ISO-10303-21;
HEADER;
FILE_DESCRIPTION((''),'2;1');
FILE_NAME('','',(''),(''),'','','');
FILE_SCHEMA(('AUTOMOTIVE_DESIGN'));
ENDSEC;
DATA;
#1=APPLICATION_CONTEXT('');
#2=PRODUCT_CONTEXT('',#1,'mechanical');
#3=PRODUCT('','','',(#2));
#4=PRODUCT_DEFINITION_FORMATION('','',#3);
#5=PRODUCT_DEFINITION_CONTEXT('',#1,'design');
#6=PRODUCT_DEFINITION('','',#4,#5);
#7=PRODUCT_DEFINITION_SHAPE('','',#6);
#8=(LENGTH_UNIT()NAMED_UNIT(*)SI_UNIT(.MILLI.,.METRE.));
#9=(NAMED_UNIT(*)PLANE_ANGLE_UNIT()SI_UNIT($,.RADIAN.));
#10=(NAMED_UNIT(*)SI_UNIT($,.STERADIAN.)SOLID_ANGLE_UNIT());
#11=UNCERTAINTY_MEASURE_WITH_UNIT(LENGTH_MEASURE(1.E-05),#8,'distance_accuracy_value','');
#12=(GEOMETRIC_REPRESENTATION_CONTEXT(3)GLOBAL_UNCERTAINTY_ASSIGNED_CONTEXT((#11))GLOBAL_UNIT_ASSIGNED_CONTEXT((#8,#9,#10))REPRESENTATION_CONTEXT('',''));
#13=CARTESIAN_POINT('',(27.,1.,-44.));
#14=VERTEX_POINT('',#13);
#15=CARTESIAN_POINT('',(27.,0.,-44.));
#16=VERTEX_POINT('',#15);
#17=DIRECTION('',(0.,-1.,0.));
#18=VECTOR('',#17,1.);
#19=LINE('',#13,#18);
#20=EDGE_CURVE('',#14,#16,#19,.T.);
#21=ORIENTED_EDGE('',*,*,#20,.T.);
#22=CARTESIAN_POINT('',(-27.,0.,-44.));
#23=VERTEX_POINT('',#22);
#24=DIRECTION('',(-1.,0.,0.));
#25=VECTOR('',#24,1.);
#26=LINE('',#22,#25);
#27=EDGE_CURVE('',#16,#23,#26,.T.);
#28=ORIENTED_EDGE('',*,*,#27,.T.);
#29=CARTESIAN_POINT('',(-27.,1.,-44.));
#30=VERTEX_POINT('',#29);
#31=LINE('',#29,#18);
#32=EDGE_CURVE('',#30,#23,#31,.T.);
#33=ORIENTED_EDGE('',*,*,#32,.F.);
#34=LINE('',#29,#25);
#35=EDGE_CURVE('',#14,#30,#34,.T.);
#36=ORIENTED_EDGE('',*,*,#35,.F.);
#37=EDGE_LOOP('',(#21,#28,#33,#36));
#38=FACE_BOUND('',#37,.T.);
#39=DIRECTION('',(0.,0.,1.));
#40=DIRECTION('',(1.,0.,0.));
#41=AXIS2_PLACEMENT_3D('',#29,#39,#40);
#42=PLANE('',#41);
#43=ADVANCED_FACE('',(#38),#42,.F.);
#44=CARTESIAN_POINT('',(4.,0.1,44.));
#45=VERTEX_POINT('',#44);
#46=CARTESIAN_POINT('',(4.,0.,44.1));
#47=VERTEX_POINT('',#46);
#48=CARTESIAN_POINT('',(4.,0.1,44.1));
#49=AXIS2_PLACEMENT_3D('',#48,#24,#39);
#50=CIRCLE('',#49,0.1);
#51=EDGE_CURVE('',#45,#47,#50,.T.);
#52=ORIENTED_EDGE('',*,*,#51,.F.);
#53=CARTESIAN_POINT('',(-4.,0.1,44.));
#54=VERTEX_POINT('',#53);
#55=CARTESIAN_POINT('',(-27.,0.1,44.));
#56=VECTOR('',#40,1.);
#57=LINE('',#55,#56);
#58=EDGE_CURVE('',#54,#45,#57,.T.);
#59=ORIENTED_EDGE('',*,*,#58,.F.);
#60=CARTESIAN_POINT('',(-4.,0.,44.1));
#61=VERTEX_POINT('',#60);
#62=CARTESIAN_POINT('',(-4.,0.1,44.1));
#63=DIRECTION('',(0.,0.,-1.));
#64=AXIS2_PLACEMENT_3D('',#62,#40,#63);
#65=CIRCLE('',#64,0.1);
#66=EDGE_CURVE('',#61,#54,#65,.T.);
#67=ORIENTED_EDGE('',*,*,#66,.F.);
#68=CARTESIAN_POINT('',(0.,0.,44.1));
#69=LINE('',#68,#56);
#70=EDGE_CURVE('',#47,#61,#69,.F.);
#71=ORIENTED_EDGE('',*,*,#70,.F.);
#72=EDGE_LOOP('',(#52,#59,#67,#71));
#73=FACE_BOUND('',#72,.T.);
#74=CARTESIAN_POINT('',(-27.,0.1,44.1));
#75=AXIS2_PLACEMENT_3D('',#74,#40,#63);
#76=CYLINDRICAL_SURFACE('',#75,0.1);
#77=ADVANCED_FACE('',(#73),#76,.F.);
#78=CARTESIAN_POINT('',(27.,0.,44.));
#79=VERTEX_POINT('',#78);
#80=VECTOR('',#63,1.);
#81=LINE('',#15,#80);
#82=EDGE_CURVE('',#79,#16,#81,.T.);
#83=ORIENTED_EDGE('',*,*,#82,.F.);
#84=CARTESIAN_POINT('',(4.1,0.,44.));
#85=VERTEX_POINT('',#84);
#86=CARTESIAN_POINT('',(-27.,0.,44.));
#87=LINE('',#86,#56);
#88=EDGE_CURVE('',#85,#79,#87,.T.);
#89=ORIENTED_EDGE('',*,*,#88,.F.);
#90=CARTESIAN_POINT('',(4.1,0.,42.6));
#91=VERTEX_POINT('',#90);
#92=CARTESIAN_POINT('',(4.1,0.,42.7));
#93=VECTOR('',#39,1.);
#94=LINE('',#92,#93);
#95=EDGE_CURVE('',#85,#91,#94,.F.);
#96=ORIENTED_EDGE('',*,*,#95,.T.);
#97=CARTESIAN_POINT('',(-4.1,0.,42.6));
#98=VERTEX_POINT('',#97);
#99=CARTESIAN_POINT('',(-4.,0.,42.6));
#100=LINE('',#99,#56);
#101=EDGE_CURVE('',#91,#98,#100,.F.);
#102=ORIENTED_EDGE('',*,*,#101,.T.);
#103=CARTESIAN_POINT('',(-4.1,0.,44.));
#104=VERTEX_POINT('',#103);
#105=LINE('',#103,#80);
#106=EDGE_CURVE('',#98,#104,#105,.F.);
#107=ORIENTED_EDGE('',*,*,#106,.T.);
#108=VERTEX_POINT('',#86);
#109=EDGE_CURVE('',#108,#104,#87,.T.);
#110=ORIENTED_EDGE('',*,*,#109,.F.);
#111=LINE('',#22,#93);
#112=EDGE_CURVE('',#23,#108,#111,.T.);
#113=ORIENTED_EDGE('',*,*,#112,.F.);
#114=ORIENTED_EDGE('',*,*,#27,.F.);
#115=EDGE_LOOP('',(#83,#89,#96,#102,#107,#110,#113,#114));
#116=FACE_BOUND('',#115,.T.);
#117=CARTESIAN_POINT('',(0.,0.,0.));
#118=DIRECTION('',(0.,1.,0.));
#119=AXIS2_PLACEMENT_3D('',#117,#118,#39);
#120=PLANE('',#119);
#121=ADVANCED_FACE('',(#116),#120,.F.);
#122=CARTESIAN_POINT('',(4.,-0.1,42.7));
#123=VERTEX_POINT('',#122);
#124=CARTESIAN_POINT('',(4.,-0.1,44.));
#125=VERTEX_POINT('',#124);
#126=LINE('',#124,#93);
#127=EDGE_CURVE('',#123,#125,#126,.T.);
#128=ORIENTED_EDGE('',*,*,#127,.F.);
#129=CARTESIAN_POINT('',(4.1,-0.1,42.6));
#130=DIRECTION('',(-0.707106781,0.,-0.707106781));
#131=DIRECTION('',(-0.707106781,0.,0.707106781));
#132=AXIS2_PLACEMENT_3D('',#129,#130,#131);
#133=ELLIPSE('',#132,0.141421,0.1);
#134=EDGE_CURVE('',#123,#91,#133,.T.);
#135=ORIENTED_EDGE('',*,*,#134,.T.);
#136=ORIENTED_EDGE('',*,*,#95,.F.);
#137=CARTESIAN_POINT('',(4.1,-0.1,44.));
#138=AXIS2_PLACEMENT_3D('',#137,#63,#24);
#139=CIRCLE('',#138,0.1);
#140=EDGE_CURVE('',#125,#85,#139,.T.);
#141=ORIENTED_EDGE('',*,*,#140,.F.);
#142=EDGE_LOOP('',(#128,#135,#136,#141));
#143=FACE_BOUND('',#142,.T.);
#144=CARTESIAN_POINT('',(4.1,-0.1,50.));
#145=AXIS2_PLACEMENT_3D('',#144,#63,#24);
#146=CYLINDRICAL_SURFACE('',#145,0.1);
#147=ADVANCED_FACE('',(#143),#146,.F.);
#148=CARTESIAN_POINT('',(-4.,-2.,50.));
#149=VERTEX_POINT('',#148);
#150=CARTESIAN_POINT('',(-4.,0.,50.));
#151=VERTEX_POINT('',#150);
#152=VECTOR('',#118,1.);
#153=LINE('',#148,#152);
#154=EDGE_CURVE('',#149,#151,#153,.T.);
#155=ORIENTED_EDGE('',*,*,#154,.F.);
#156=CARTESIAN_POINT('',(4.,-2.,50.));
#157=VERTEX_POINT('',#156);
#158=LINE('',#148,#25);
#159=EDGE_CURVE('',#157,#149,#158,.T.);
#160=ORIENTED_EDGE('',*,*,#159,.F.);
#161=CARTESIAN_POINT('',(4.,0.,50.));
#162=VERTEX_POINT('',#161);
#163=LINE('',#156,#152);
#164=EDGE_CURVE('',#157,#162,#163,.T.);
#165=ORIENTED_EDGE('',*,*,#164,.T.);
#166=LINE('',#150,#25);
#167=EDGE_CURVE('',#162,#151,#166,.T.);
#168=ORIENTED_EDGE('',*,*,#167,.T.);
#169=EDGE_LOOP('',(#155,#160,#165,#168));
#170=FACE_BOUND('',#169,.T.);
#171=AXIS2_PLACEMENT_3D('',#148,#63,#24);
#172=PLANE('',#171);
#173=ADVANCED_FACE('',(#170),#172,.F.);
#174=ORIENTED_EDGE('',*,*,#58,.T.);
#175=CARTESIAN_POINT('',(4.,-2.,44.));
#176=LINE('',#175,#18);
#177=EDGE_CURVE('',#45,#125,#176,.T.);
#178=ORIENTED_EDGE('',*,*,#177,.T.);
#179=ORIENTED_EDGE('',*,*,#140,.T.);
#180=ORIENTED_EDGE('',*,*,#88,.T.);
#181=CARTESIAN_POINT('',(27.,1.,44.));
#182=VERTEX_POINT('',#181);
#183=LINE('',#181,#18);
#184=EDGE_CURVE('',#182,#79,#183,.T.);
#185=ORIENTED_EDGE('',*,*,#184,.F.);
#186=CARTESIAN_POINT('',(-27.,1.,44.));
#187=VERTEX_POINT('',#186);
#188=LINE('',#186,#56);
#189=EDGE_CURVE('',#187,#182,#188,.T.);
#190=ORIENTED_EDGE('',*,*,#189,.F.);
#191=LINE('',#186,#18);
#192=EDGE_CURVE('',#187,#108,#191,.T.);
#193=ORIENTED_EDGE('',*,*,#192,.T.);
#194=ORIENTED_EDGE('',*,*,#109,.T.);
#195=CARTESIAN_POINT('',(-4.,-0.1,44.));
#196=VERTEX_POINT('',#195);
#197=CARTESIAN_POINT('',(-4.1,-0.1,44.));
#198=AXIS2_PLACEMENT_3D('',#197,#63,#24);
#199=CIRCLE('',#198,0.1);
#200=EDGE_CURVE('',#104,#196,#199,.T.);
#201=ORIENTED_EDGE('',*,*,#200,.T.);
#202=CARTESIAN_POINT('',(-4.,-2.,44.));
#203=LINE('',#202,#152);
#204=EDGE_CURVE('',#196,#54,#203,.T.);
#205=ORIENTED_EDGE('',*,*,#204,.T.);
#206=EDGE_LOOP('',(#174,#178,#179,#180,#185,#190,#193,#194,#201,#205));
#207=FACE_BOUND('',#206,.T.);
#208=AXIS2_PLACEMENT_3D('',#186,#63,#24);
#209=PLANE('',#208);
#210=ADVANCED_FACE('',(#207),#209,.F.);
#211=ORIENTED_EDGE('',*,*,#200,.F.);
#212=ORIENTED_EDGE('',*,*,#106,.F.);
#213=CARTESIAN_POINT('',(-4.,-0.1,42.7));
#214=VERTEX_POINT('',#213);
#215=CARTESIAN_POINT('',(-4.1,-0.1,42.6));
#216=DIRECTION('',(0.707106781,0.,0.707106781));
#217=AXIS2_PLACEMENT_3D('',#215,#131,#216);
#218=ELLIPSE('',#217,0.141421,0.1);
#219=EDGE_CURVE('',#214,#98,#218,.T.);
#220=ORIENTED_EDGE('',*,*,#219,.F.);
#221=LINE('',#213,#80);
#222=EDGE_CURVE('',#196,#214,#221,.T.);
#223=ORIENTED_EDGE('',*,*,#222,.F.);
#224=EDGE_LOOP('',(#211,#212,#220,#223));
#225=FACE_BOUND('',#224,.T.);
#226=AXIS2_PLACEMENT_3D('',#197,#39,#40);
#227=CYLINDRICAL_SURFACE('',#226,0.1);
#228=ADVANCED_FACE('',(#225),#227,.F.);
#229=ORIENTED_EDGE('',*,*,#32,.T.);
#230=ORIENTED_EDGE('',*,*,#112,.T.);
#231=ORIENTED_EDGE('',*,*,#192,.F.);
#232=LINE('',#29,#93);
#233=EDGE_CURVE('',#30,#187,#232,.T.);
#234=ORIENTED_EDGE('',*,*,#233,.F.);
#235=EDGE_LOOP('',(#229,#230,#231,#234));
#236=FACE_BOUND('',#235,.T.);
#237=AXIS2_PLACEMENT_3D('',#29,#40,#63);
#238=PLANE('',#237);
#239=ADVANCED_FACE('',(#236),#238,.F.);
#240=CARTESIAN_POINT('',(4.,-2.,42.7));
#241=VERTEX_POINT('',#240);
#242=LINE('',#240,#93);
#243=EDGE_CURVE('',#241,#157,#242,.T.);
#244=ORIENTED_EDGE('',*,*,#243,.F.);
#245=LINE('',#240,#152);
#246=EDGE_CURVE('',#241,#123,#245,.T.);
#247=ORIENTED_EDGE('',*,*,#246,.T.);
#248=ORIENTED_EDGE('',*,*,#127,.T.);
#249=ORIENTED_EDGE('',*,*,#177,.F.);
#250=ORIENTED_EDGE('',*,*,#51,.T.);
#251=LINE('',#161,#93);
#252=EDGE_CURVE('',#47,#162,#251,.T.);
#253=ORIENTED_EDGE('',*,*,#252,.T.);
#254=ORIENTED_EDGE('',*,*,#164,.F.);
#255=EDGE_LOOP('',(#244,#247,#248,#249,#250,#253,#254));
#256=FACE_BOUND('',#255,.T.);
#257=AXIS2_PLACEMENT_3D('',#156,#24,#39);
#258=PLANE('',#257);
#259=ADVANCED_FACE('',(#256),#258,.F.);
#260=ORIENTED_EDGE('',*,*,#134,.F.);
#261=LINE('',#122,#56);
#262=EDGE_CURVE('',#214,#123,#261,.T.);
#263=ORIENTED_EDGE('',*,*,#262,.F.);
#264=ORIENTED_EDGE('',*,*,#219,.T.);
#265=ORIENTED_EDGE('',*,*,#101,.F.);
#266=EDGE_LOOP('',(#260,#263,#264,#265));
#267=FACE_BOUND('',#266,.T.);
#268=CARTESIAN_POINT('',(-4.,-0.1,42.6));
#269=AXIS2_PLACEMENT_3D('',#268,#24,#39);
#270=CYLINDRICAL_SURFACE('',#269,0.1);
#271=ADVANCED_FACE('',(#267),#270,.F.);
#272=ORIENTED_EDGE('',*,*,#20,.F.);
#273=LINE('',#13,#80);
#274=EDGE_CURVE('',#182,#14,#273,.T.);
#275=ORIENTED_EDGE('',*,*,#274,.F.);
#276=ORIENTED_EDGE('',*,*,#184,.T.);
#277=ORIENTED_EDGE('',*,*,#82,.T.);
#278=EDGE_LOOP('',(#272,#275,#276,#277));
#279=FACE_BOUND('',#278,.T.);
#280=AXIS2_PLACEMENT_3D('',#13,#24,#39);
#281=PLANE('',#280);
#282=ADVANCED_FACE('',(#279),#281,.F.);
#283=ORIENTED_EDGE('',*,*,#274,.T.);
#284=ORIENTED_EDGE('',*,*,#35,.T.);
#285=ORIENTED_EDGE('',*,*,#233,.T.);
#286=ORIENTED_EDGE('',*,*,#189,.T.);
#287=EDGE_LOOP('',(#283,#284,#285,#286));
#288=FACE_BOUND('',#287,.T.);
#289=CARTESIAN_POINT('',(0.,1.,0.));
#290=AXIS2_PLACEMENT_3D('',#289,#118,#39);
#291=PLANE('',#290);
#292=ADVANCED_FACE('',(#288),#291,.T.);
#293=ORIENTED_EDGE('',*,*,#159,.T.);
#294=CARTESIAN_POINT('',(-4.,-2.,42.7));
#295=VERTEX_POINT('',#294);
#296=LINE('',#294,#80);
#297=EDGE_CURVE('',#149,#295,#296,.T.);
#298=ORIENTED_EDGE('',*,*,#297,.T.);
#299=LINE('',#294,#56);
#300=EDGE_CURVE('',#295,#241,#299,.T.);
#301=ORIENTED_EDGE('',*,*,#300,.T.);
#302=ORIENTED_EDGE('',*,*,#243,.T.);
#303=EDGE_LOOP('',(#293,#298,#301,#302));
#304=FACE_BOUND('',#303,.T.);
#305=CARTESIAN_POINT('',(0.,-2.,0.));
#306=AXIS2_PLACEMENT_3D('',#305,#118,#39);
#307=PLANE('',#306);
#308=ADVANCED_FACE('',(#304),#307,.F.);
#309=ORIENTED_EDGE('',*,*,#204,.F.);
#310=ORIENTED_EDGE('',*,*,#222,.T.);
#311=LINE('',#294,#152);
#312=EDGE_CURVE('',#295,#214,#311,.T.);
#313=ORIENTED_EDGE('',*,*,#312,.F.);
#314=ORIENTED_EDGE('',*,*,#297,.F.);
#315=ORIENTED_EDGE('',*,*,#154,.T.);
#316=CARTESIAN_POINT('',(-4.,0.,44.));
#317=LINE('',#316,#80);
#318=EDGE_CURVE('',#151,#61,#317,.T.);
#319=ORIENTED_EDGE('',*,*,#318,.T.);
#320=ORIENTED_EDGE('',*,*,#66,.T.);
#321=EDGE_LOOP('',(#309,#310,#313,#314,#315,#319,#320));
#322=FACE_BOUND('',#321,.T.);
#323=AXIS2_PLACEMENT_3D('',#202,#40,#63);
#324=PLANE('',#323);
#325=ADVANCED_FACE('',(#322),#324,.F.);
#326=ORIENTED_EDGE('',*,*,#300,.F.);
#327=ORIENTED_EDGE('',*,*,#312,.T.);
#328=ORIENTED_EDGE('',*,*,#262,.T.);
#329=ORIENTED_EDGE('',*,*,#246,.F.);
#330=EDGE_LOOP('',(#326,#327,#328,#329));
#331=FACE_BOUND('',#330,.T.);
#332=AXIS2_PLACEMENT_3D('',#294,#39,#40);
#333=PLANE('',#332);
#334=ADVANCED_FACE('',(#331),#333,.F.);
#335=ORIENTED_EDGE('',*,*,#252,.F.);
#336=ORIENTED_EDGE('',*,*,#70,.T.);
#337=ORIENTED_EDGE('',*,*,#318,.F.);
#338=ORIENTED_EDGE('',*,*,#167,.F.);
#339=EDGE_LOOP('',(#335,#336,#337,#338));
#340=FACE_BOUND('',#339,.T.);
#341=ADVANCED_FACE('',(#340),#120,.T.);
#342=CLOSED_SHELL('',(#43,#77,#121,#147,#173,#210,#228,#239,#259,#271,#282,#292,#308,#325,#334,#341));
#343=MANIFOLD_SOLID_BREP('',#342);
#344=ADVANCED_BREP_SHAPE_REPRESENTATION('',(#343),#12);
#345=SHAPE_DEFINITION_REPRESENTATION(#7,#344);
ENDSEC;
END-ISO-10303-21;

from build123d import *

# Parameters (mm, degrees)
SKETCH1_W           = 54
SKETCH1_H           = 88
BOSS_EXTRUDE1_DEPTH = 1
BOSS_EXTRUDE2_DEPTH = 2
FILLET4_R           = 0.1
FILLET5_R           = 0.1


with BuildPart() as part:
    # Sketch1 → Boss-Extrude1 (new body)
    with BuildSketch(Plane(origin=(0, 0, 0), x_dir=(1, 0, 0), z_dir=(0, 1, 0))):
        Rectangle(SKETCH1_W, SKETCH1_H)
    extrude(amount=BOSS_EXTRUDE1_DEPTH)

    # Sketch2 → Boss-Extrude2 (add)
    with BuildSketch(Plane.XZ):
        Polygon((-4, 42.7), (4, 42.7), (4, 44), (4, 50), (-4, 50), (-4, 44), align=None)
    extrude(amount=BOSS_EXTRUDE2_DEPTH)

    # Fillet4
    fillet4_edges = [part.edges().sort_by_distance(p)[0] for p in [
        (0, 0, 44),
    ]]
    fillet(fillet4_edges, radius=FILLET4_R)

    # Fillet5
    fillet5_edges = [part.edges().sort_by_distance(p)[0] for p in [
        (-4, 0, 43.35),
        (0, 0, 42.7),
        (4, 0, 43.35),
    ]]
    fillet(fillet5_edges, radius=FILLET5_R)


solid = part.part
